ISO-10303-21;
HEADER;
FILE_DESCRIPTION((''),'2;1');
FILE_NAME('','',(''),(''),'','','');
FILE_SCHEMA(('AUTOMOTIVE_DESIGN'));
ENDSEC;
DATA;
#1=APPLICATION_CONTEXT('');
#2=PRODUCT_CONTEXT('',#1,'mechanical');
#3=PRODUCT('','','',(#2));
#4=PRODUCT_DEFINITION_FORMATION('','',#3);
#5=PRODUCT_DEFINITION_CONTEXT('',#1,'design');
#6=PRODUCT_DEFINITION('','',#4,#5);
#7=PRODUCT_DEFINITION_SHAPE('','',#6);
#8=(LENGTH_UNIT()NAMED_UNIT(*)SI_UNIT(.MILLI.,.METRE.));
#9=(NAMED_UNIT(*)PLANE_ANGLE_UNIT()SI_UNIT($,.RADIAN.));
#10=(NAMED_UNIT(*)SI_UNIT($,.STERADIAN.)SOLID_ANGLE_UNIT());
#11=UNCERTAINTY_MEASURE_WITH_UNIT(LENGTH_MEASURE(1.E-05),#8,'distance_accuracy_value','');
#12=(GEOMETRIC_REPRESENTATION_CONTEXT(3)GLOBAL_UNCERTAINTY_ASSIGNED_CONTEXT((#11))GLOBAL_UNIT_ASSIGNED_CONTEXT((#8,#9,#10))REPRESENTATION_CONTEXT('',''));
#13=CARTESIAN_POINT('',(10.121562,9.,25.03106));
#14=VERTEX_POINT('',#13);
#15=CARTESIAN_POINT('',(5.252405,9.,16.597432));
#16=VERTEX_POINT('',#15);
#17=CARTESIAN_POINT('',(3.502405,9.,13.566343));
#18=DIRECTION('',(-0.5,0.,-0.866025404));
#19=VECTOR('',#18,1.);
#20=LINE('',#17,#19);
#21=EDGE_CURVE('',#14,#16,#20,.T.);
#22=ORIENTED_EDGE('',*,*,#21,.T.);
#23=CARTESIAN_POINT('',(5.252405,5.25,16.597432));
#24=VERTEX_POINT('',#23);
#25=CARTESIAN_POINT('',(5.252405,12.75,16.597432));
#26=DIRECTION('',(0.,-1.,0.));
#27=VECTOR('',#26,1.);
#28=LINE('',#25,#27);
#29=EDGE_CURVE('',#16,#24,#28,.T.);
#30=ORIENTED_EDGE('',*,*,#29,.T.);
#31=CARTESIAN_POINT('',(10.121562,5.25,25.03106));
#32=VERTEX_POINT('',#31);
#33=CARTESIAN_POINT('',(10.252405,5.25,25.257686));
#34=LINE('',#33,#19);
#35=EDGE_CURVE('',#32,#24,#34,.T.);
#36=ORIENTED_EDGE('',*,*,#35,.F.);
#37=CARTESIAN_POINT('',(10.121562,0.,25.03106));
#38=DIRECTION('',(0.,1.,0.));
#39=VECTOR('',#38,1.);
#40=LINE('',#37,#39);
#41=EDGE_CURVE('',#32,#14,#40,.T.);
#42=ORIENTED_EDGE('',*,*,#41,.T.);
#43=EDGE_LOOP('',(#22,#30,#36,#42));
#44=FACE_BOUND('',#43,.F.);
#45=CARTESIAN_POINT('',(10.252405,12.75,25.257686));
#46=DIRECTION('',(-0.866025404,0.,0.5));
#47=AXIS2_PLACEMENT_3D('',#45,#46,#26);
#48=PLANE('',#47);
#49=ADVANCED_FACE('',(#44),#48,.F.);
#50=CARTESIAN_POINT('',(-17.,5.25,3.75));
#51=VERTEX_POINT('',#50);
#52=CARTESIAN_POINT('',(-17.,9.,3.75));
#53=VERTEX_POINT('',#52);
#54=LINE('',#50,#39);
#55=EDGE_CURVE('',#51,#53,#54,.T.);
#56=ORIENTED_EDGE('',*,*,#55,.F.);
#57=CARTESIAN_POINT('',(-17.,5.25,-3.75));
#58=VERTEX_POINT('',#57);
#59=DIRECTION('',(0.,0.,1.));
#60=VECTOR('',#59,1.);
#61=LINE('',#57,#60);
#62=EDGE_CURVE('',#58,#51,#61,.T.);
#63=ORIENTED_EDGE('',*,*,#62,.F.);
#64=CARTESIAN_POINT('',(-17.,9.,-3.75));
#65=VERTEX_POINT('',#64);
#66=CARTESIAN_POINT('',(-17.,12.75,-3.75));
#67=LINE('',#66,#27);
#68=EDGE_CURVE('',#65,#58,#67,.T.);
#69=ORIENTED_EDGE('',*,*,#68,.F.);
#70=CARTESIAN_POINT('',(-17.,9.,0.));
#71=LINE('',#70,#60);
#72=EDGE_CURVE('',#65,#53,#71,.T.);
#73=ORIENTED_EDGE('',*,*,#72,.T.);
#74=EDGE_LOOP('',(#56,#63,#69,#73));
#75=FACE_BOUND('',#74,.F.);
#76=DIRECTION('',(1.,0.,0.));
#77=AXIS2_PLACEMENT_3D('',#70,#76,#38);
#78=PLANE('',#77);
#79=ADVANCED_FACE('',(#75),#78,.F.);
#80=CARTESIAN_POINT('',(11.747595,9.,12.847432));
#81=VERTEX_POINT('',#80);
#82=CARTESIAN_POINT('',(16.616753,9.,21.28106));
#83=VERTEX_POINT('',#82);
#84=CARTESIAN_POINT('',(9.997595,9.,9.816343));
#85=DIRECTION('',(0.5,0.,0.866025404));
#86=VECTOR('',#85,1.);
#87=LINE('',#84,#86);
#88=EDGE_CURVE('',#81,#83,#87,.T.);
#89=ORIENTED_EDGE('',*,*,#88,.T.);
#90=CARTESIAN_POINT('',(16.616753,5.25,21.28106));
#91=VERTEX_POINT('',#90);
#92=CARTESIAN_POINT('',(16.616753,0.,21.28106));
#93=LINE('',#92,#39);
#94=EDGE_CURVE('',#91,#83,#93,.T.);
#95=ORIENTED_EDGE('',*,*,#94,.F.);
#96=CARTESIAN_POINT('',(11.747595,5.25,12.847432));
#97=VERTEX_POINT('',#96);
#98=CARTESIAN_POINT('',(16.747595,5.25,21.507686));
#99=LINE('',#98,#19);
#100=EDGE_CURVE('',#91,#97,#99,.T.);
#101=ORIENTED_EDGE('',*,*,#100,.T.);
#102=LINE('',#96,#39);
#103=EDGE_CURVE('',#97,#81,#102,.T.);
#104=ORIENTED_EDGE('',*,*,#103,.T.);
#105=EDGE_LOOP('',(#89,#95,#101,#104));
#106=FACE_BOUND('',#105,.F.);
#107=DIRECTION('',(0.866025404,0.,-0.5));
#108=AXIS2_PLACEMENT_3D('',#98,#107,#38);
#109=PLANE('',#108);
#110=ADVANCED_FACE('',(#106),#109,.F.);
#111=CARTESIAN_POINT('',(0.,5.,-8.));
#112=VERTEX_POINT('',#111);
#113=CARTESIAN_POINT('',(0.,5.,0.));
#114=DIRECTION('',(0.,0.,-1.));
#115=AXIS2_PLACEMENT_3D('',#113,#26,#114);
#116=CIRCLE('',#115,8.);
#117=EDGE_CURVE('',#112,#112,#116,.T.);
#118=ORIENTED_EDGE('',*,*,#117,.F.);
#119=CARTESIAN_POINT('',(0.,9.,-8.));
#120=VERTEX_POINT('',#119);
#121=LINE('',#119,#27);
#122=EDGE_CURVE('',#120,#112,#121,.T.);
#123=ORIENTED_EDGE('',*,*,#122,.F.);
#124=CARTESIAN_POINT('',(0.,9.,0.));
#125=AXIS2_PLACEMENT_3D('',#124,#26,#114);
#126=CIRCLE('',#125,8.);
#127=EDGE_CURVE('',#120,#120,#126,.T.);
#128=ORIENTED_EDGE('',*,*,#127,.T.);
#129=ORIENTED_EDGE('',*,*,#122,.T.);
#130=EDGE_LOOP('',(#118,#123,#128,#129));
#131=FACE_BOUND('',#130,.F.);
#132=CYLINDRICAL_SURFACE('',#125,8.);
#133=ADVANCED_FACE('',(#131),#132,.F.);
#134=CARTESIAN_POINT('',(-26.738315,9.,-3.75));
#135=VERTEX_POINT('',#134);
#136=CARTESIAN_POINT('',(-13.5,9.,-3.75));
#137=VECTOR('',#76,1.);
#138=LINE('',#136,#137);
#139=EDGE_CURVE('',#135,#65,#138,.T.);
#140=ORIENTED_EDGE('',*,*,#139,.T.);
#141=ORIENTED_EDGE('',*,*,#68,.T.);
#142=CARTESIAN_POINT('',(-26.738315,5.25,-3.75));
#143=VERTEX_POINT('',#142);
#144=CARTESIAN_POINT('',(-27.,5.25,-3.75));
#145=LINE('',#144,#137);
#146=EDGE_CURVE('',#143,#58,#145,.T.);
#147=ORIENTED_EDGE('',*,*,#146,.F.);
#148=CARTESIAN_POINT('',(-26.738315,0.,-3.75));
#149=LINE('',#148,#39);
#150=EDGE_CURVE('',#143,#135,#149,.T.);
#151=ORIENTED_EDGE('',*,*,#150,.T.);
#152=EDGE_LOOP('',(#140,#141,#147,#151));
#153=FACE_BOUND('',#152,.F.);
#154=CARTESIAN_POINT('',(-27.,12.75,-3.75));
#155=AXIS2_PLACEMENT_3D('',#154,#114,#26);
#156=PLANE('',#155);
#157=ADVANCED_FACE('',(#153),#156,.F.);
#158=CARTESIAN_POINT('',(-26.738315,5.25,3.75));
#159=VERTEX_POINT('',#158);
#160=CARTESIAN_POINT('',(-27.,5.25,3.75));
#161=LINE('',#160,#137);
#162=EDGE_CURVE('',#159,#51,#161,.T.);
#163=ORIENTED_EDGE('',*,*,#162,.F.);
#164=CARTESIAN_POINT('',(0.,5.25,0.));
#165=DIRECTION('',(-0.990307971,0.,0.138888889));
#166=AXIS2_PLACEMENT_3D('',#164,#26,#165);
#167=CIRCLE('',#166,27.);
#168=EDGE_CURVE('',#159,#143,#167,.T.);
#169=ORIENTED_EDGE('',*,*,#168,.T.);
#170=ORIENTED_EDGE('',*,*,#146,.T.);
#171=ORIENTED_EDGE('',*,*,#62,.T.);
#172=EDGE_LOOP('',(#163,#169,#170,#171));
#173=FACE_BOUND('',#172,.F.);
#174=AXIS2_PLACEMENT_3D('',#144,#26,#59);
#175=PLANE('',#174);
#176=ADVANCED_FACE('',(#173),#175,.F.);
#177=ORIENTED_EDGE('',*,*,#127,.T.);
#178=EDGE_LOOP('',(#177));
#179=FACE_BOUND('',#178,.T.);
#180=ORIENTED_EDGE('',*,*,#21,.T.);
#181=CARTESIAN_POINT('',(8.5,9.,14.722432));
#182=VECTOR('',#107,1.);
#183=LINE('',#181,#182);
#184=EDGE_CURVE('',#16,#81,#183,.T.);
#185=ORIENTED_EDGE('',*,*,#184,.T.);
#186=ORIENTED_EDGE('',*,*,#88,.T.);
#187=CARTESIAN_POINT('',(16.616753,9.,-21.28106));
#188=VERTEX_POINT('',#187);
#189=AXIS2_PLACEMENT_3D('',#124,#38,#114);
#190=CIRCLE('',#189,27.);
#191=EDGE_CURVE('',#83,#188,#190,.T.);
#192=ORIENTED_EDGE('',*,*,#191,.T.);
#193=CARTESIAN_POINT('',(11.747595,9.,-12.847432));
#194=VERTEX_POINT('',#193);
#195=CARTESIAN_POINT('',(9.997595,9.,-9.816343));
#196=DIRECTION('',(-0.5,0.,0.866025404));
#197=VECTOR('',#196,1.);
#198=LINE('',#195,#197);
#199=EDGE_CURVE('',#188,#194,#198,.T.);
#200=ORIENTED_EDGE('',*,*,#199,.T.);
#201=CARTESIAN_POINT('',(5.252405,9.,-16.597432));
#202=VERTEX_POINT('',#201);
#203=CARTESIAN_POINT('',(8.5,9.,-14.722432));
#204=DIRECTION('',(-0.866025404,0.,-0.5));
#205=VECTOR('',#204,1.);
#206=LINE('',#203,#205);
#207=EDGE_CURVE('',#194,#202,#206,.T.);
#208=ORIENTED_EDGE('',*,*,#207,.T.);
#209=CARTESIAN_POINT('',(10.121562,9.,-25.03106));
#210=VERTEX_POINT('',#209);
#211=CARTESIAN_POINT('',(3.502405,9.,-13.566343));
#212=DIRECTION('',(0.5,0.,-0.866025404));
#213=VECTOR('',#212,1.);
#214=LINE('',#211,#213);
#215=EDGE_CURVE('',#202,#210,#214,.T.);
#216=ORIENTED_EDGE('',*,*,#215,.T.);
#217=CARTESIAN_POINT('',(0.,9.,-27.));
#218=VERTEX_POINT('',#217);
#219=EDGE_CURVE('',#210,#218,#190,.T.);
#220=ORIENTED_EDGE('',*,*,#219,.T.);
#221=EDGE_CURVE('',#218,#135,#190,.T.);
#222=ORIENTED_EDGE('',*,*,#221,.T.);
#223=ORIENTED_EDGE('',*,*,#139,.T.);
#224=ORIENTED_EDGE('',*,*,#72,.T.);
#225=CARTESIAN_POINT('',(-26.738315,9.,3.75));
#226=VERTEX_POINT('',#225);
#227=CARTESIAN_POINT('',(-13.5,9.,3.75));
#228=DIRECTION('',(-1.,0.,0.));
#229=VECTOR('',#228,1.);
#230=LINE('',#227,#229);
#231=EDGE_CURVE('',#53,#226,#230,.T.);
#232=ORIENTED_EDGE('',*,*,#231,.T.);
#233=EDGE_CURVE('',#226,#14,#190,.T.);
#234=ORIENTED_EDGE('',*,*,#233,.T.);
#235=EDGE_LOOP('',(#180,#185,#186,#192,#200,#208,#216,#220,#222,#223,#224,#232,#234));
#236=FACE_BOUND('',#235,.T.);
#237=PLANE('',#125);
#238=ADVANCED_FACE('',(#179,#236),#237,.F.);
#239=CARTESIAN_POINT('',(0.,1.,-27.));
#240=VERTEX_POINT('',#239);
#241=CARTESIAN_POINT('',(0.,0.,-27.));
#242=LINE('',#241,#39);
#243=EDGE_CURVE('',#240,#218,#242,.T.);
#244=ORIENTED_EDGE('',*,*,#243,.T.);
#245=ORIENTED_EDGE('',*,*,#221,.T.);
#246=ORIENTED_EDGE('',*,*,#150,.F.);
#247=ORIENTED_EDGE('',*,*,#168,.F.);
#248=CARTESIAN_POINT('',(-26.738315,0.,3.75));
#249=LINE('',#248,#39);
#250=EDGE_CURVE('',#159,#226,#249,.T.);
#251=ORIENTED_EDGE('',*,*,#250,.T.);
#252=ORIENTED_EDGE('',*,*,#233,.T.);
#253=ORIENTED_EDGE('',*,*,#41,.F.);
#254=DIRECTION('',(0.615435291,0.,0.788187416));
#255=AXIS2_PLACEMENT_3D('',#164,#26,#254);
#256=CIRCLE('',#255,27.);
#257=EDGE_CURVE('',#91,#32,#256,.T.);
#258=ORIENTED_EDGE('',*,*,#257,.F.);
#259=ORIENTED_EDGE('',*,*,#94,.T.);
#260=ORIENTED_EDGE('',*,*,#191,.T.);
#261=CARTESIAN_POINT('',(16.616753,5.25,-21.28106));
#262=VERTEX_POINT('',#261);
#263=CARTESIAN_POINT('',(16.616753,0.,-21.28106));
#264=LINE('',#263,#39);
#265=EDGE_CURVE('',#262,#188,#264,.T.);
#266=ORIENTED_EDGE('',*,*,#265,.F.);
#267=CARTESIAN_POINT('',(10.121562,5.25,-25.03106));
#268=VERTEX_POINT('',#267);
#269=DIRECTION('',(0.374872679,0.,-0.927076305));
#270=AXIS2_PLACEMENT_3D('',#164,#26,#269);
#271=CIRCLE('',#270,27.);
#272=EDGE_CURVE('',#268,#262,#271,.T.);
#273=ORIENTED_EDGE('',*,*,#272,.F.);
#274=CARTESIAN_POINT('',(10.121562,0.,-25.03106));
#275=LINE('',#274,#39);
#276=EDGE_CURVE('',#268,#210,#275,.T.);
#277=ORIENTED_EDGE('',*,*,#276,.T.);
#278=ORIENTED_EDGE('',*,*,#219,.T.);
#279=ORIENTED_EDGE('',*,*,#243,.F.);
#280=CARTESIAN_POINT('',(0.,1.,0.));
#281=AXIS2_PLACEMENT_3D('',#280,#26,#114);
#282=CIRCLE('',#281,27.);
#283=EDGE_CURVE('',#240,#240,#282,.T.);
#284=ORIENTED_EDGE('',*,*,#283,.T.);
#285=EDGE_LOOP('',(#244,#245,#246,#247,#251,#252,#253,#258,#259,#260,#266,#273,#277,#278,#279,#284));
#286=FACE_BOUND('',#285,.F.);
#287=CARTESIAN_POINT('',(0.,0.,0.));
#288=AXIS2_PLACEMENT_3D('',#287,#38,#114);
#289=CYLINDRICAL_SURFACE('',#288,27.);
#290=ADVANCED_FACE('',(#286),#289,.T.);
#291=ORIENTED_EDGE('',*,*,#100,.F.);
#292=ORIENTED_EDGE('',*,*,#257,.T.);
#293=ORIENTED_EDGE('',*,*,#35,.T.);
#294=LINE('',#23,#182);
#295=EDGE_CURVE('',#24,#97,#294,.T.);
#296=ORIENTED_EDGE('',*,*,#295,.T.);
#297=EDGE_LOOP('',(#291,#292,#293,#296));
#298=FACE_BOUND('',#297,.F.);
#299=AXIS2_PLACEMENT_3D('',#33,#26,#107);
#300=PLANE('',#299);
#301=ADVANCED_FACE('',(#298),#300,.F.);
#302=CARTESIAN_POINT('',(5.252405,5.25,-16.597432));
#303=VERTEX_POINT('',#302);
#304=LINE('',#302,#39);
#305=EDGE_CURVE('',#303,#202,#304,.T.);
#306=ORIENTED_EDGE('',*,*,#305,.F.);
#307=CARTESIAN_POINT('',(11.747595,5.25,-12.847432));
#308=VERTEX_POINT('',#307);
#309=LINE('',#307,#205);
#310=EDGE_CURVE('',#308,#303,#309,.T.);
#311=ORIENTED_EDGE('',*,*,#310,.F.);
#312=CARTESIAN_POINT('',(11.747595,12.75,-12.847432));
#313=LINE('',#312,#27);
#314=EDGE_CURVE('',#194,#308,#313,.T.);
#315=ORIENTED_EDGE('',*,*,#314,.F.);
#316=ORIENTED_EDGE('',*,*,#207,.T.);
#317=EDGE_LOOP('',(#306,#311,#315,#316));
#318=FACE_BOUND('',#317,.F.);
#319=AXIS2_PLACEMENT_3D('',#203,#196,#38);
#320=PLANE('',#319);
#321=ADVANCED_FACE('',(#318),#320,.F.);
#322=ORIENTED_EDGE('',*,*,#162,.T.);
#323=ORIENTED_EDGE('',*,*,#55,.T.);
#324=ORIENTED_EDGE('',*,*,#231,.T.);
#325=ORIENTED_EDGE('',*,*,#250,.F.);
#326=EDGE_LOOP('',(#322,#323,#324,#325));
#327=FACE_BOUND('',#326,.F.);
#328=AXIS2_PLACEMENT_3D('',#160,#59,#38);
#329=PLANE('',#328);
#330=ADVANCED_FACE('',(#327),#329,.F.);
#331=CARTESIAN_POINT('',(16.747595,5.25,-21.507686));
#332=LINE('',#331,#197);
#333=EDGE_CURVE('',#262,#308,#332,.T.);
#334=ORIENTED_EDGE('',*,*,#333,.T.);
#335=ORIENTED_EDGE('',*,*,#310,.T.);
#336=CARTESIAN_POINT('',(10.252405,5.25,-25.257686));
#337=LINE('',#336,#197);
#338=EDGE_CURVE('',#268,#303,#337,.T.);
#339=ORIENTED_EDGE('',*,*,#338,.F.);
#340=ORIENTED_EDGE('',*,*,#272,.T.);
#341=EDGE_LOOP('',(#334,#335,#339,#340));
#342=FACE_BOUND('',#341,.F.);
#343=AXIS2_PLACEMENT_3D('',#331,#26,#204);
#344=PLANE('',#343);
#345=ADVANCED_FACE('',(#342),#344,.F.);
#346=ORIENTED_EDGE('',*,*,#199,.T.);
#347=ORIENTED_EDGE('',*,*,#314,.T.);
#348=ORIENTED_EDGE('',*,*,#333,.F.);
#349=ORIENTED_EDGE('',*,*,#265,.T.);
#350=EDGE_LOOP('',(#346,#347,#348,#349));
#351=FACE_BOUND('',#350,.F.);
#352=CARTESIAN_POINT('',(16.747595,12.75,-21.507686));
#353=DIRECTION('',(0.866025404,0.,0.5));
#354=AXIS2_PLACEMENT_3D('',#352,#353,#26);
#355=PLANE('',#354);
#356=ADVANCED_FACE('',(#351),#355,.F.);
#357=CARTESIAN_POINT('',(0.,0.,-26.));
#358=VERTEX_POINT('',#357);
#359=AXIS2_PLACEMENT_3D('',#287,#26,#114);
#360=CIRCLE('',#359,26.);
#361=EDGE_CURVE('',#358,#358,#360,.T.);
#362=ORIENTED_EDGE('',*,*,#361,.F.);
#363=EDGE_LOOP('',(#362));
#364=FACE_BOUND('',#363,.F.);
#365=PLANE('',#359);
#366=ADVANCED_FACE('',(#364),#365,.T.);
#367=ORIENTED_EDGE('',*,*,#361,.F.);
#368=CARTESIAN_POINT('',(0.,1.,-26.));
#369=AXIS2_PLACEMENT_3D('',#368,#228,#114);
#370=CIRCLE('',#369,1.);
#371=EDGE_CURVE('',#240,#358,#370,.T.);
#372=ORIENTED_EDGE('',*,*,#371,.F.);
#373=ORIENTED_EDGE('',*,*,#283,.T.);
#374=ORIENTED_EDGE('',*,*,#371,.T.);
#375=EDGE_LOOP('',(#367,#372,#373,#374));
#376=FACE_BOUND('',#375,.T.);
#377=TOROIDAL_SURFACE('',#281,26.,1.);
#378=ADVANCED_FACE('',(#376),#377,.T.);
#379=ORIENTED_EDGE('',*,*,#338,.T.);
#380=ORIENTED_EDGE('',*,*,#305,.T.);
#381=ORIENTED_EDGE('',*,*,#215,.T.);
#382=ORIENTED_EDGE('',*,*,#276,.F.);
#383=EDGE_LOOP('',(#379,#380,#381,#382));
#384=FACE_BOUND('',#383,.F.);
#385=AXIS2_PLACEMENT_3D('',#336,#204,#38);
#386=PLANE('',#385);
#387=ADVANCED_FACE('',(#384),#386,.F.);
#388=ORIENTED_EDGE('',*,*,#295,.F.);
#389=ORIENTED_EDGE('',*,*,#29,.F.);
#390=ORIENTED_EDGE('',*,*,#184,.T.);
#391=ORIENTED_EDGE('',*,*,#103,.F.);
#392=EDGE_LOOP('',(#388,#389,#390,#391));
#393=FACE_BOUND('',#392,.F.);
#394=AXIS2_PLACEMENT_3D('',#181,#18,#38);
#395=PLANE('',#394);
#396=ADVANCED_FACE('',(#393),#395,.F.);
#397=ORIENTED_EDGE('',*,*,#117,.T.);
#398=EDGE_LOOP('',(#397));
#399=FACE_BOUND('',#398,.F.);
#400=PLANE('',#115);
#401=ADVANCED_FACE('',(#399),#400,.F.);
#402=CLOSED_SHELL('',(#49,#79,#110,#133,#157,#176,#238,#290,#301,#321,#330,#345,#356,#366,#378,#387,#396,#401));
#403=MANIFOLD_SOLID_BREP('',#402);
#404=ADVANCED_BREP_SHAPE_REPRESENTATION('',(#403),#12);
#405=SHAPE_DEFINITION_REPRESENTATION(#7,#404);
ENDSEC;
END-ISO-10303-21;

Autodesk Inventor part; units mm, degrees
ref_plane "XY Plane" through (0, 0, 0) normal (0, 0, 1) x (1, 0, 0)
sketch "Sketch3" plane through (0, 0, 0) normal (1, 0, 0) x (0, 1, 0)
  line L0 (63.5252, 0) -> (0, 0) construction
  line L1 (0, -8) -> (0, -27)
  line L2 (0, -27) -> (18, -27)
  line L3 (18, -27) -> (18, -12.4)
  line L4 (9, -8) -> (9, -12.4)
  line L5 (9, -12.4) -> (18, -12.4)
  line L6 (9, -8) -> (5, -8)
  line L7 (5, -8) -> (5, 0)
  line L8 (0, -8) -> (0, 0)
  line L9 (5, 0) -> (0, 0)
  dimension "d15" = 18
  dimension "d18" = 9
  dimension "d32" = 27
  dimension "d33" = 12.4
  dimension "d54" = 4
  dimension "d56" = 8
revolve "Revolution1" add sketch "Sketch3" angle 360 about axis through (0, 63.5252, 0) along (0, -1, 0)
fillet "Fillet2" radius 1 2 edges at (0, 18, 27) (0, 0, 27)
ref_plane "Work Plane2" through (-27, 9, 0) normal (1, 0, 0) x (0, 1, 0)
sketch "Sketch4" plane through (-27, 9, 0) normal (1, 0, 0) x (0, 1, 0)
  line L0 (-9, 0) -> (10.8256, 0) construction
  line L1 (-3.75, 3.75) -> (3.75, 3.75)
  line L2 (3.75, 3.75) -> (3.75, -3.75)
  line L3 (3.75, -3.75) -> (-3.75, -3.75)
  line L4 (-3.75, -3.75) -> (-3.75, 3.75)
  line L5 (-3.75, 3.75) -> (3.75, -3.75) construction
  line L6 (3.75, 3.75) -> (-3.75, -3.75) construction
  line L7 (9, 26) -> (9, -26) projected
  point P0 (0, 0)
  dimension "d21" = 7.5
  dimension "d22" = 7.5
  dimension "d55" = 9
extrude "Extrusion3" cut sketch "Sketch4" along normal blind 10
pattern_circular "Circular Pattern2" count 3 over 360 about axis through (0, 13.5, 0) along (0, -1, 0) of "Extrusion3"
sketch "Sketch9" plane through (0, 18, 0) normal (0, 1, 0) x (1, 0, 0)
  circle A0 centre (0, -22.4737) radius 3.5
  point P0 (0, 0)
  dimension "d57" = 7
extrude "Extrusion7" cut sketch "Sketch9" against normal blind 2.4
ref_plane "Work Plane4" through (0, 9, 0) normal (0, 1, 0) x (-1, 0, 0)
split "Split1" plane through (0, 9, 0) removes the side toward (0, 1, 0)
properties part number "BasePaletasTop"
